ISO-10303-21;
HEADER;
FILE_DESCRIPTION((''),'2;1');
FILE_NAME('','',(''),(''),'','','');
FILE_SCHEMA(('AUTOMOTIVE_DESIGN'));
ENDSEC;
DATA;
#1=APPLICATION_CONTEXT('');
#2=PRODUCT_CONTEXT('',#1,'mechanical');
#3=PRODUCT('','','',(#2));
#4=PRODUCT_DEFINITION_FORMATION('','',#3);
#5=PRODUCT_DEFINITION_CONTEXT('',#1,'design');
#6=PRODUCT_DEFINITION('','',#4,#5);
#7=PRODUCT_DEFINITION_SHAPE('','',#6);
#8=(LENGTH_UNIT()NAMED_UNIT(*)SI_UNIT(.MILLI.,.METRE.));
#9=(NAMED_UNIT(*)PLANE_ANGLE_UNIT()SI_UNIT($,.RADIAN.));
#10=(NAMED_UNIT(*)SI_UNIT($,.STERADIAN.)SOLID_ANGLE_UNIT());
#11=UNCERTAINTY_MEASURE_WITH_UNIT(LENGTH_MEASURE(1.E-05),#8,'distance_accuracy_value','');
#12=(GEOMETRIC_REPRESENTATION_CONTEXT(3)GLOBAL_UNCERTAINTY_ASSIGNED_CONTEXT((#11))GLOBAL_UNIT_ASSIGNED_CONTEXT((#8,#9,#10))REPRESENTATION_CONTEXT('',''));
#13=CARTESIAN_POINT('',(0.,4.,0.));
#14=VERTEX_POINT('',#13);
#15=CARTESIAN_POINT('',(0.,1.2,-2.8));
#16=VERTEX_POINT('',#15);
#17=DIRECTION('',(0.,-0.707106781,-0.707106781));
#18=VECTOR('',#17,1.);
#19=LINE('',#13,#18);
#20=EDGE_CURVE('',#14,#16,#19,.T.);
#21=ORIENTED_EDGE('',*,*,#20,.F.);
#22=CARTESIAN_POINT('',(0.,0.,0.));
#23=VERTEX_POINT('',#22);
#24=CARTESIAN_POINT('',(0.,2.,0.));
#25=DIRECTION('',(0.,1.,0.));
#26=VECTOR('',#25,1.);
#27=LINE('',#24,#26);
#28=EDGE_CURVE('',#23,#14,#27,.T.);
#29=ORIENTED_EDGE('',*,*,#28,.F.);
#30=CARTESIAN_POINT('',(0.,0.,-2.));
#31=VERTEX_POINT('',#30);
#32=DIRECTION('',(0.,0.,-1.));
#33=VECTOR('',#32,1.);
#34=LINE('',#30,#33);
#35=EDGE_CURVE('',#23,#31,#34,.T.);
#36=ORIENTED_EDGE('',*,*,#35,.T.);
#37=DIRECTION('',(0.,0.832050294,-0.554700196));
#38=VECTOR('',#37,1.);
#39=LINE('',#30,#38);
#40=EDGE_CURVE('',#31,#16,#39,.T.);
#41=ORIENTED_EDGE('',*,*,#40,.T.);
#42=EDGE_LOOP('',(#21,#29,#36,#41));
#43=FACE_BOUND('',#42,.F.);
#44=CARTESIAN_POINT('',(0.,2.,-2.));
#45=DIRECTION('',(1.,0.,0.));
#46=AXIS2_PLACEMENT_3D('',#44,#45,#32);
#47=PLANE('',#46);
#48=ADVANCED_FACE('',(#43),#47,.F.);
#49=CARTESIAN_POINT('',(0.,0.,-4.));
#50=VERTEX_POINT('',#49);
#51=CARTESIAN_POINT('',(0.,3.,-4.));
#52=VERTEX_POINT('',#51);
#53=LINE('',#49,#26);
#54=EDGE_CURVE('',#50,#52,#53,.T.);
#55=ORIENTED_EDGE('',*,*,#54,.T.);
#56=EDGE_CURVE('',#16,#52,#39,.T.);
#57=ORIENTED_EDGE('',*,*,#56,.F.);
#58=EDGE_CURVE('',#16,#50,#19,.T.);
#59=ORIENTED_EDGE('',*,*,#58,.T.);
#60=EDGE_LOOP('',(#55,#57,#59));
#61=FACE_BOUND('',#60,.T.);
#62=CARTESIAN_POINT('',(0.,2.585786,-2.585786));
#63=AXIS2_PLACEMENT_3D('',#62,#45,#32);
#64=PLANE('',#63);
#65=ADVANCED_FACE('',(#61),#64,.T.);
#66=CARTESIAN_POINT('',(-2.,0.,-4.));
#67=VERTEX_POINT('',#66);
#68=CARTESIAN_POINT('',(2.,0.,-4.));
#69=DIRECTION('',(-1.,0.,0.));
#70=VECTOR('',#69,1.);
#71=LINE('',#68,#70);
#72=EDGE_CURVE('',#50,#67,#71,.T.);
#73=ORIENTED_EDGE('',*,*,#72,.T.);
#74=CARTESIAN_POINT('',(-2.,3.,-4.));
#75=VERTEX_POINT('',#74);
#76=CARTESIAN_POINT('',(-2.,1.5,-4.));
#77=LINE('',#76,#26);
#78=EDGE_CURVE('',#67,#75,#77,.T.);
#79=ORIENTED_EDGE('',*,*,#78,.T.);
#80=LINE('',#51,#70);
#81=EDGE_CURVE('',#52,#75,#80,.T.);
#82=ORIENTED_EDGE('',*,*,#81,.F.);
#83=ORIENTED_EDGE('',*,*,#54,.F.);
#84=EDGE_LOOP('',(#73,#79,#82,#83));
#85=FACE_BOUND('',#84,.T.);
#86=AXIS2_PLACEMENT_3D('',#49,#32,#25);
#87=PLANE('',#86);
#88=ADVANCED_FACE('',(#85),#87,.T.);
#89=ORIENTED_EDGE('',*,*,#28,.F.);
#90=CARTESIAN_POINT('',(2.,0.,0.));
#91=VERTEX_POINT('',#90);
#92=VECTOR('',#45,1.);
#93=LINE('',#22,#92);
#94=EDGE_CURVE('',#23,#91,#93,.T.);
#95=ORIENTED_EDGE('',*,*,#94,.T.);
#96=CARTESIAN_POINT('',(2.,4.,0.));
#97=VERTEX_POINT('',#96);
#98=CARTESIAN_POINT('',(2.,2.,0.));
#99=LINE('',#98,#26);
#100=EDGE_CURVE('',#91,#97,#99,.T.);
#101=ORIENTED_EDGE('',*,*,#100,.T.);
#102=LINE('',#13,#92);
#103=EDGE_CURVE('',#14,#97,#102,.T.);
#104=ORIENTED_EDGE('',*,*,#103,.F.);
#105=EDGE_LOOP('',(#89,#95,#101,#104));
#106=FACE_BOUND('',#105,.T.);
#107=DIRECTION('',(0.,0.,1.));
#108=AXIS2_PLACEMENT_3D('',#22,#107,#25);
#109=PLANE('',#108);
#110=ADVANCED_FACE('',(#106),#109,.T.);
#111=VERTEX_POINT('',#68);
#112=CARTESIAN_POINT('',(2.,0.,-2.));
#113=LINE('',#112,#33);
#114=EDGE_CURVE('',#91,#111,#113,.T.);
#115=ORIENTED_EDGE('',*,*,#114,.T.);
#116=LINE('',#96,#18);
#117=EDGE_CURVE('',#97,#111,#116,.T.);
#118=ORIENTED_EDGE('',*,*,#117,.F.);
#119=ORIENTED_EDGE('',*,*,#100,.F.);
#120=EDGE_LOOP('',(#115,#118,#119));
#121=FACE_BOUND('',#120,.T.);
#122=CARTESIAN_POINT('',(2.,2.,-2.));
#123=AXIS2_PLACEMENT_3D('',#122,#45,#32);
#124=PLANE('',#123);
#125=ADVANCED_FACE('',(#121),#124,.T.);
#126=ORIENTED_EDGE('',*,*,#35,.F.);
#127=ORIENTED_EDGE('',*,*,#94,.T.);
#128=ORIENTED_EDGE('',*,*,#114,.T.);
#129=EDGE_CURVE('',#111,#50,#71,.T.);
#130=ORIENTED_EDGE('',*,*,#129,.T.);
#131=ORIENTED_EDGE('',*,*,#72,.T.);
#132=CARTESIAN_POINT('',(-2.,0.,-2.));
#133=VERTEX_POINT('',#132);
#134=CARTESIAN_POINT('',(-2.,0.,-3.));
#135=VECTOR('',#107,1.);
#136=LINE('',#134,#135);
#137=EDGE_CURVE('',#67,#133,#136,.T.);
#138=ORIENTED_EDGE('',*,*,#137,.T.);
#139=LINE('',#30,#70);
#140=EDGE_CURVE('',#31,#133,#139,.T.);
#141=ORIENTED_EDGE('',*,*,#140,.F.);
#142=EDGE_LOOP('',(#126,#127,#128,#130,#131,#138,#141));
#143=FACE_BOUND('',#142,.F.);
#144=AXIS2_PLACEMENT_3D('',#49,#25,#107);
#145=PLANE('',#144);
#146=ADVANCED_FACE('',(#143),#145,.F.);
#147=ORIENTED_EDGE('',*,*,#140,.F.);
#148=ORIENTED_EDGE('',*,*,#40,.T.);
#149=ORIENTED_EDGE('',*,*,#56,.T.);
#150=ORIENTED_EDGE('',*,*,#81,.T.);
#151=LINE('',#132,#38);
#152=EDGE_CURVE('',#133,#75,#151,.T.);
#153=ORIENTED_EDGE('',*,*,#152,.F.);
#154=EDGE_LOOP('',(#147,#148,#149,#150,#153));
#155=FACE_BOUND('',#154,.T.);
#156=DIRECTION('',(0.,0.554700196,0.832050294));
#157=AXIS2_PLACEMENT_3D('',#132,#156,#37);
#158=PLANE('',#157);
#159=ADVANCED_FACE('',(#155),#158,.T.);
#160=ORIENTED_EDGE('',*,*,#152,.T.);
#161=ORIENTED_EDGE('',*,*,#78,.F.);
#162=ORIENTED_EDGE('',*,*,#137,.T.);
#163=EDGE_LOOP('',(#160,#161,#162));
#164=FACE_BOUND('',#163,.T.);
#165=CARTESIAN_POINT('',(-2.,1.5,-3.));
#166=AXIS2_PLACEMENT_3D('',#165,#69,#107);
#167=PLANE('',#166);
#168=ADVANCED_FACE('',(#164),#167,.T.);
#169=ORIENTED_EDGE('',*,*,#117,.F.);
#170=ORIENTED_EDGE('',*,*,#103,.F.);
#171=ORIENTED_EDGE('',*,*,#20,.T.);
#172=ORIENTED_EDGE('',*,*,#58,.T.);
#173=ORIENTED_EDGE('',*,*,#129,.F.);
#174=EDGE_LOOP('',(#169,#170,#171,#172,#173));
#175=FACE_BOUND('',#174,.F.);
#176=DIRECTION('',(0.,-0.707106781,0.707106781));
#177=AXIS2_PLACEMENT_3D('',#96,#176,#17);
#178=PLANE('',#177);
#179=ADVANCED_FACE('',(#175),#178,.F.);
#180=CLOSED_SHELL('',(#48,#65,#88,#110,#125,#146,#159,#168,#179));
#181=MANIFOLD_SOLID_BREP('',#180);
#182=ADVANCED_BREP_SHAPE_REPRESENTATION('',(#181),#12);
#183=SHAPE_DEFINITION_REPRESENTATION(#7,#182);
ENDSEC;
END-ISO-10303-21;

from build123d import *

# Parameters (mm, degrees)
SKETCH1_W           = 4
SKETCH1_H           = 4
BOSS_EXTRUDE1_DEPTH = 2
SKETCH2_W           = 2
SKETCH2_H           = 3
BOSS_EXTRUDE2_DEPTH = 2
CUT_EXTRUDE2_DEPTH  = 2
CUT_EXTRUDE3_DEPTH  = 2


with BuildPart() as part:
    # Sketch1 → Boss-Extrude1 (new body)
    with BuildSketch(Plane(origin=(0, 0, 0), x_dir=(0, 0, -1), z_dir=(1, 0, 0))):
        with Locations((2, 2)):
            Rectangle(SKETCH1_W, SKETCH1_H)
    extrude(amount=BOSS_EXTRUDE1_DEPTH)

    # Sketch2 → Boss-Extrude2 (add)
    with BuildSketch(Plane.ZY):
        with Locations((-3, 1.5)):
            Rectangle(SKETCH2_W, SKETCH2_H)
    extrude(amount=BOSS_EXTRUDE2_DEPTH)

    # Sketch3 → Cut-Extrude2 (cut)
    with BuildSketch(Plane(origin=(2, 0, 0), x_dir=(0, 0, -1), z_dir=(1, 0, 0))):
        Polygon((0, 4), (4, 0), (4, 4), align=None)
    extrude(amount=-CUT_EXTRUDE2_DEPTH, mode=Mode.SUBTRACT)

    # Sketch4 → Cut-Extrude3 (cut)
    with BuildSketch(Plane.ZY.offset(2)):
        Polygon((-2, 0), (-4, 3), (-2, 3), align=None)
    extrude(amount=-CUT_EXTRUDE3_DEPTH, mode=Mode.SUBTRACT)


solid = part.part
